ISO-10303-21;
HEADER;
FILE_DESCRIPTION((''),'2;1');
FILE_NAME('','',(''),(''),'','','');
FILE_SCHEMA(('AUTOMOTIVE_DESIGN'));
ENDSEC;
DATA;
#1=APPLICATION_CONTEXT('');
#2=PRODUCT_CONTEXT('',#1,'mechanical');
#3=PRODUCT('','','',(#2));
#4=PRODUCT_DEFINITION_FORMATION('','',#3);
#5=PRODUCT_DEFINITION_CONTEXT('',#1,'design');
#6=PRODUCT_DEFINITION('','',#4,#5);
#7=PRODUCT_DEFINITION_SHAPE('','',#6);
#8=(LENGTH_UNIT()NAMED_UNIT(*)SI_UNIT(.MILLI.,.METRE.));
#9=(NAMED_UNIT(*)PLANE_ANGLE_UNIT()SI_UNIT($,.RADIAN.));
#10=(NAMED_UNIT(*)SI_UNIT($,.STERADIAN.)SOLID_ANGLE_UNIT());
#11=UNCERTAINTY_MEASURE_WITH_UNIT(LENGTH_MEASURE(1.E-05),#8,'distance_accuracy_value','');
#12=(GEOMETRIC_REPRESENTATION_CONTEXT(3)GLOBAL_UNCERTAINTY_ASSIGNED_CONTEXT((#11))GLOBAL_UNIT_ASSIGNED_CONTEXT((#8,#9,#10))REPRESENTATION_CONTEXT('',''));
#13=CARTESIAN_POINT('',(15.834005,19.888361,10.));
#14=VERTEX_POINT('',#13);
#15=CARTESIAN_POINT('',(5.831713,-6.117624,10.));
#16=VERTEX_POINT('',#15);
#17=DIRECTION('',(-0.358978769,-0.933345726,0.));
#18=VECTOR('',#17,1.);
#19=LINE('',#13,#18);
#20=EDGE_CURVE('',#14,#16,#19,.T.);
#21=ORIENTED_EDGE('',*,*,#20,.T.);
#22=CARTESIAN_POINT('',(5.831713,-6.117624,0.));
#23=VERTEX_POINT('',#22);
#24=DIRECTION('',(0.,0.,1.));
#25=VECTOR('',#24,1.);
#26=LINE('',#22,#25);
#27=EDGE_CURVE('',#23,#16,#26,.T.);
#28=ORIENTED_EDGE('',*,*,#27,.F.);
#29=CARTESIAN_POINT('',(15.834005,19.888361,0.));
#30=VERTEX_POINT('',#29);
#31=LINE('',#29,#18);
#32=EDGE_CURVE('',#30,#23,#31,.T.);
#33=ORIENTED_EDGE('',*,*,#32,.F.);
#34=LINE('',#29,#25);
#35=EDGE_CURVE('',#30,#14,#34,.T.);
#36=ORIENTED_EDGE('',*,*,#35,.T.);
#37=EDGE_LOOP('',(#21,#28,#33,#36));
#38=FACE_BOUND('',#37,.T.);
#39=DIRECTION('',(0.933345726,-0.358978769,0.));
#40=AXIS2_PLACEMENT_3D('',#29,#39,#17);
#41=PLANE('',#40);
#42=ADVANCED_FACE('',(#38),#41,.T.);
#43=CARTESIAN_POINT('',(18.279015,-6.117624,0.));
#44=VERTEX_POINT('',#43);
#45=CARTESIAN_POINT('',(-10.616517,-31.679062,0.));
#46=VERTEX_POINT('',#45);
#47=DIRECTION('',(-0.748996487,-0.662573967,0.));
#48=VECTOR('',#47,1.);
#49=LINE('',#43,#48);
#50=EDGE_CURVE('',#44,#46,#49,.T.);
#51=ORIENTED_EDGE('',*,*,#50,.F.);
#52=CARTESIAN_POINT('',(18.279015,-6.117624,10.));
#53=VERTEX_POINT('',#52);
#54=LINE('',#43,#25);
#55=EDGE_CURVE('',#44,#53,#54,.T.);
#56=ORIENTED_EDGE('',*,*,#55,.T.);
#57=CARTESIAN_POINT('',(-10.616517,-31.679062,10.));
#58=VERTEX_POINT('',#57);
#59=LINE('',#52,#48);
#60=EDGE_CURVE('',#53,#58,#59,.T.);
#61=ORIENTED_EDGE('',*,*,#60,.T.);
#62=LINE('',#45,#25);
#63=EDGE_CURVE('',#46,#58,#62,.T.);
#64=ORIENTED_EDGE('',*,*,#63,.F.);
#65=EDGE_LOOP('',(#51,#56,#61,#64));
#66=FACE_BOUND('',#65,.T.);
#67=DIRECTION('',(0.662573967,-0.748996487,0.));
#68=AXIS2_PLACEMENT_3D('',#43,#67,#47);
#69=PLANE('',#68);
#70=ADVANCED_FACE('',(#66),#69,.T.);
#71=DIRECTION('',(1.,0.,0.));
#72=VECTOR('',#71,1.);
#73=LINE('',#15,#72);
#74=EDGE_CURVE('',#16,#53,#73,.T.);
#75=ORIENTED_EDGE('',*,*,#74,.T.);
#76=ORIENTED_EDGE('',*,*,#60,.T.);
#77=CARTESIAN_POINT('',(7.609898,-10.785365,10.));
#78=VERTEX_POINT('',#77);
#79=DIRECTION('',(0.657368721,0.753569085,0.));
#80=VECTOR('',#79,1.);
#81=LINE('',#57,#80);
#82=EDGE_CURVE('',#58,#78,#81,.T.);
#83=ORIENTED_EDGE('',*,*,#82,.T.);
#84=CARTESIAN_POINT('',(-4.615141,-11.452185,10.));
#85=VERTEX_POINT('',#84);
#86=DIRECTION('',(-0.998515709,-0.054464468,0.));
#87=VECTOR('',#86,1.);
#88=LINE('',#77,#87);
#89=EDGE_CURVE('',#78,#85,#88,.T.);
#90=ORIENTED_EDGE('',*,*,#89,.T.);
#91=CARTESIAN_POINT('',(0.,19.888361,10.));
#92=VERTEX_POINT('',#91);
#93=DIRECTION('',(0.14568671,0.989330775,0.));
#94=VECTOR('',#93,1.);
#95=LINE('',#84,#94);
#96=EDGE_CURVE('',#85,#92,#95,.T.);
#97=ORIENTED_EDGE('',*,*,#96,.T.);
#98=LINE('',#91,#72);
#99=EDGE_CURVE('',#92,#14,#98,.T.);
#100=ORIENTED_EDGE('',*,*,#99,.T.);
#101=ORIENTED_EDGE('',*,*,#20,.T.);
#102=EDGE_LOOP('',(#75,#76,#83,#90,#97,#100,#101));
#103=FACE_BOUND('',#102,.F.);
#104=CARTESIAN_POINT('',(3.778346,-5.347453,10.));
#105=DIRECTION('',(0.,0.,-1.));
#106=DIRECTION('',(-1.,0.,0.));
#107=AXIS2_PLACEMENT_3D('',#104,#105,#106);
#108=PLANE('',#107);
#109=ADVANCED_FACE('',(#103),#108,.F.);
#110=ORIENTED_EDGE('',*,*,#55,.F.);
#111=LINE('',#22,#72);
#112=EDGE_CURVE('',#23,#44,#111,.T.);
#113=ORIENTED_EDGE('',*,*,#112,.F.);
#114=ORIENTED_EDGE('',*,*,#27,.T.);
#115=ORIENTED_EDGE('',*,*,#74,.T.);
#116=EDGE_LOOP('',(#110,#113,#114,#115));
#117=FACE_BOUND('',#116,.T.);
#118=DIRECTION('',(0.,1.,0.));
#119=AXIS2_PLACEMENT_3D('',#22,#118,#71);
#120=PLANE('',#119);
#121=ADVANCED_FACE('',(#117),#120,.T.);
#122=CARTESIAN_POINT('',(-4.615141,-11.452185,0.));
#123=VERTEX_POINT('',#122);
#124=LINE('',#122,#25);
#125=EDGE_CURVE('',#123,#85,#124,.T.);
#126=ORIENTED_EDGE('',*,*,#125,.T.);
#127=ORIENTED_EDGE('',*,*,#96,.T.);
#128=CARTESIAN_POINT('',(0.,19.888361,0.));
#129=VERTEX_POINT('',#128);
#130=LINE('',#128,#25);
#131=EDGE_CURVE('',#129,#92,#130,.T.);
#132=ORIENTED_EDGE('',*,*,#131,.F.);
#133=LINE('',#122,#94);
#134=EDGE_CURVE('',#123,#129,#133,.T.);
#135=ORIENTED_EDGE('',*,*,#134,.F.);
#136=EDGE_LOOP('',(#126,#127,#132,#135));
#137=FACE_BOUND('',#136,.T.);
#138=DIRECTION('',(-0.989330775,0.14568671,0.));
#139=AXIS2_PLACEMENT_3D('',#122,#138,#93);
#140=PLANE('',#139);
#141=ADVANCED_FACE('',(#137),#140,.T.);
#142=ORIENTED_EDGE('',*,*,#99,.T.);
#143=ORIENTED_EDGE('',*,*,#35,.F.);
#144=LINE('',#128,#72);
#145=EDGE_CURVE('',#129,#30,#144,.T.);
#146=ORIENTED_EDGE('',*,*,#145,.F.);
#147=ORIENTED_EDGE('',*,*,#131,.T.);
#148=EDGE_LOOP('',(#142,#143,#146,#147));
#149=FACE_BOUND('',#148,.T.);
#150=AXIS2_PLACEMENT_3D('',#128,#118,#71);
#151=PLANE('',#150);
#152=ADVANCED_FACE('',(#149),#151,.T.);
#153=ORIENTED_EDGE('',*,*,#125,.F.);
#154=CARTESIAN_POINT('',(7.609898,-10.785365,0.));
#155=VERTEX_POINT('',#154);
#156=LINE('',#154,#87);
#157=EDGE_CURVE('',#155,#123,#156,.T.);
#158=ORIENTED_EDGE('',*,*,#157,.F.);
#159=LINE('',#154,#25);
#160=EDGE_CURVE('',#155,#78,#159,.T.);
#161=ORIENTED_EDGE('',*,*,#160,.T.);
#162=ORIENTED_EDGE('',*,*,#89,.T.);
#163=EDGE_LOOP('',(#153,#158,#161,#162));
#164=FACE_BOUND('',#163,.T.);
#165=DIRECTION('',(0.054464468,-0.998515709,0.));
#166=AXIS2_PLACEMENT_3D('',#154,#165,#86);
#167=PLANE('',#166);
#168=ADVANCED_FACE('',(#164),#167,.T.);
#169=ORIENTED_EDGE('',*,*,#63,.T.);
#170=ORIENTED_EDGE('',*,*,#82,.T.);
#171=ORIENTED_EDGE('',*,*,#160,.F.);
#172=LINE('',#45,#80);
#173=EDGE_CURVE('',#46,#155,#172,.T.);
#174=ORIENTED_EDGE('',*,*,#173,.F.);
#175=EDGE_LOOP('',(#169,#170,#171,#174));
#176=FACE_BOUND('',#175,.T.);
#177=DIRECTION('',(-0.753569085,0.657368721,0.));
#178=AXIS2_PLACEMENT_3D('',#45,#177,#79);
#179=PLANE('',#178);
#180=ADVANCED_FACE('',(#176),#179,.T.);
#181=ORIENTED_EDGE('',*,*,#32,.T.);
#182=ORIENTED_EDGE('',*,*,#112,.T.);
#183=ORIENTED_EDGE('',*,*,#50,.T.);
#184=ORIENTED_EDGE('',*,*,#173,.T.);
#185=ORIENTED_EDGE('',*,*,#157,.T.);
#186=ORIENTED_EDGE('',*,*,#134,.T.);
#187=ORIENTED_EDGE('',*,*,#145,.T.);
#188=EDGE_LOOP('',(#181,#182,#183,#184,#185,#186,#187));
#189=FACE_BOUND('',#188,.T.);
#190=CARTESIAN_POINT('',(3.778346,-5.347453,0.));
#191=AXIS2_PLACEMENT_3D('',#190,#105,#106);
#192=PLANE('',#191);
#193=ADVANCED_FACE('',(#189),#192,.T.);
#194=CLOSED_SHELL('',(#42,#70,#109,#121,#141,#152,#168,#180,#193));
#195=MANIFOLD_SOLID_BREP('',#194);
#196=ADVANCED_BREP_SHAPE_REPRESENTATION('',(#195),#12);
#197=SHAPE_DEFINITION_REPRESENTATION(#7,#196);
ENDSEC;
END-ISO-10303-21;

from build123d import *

# Parameters (mm, degrees)
PAD_DEPTH = 10


with BuildPart() as part:
    # Sketch → Pad (new body)
    with BuildSketch(Plane.XY):
        Polygon((0, 19.888361), (15.834005, 19.888361), (5.831713, -6.117624), (18.279015, -6.117624), (-10.616517, -31.679062), (7.609898, -10.785365), (-4.615141, -11.452185), align=None)
    extrude(amount=PAD_DEPTH)


solid = part.part
